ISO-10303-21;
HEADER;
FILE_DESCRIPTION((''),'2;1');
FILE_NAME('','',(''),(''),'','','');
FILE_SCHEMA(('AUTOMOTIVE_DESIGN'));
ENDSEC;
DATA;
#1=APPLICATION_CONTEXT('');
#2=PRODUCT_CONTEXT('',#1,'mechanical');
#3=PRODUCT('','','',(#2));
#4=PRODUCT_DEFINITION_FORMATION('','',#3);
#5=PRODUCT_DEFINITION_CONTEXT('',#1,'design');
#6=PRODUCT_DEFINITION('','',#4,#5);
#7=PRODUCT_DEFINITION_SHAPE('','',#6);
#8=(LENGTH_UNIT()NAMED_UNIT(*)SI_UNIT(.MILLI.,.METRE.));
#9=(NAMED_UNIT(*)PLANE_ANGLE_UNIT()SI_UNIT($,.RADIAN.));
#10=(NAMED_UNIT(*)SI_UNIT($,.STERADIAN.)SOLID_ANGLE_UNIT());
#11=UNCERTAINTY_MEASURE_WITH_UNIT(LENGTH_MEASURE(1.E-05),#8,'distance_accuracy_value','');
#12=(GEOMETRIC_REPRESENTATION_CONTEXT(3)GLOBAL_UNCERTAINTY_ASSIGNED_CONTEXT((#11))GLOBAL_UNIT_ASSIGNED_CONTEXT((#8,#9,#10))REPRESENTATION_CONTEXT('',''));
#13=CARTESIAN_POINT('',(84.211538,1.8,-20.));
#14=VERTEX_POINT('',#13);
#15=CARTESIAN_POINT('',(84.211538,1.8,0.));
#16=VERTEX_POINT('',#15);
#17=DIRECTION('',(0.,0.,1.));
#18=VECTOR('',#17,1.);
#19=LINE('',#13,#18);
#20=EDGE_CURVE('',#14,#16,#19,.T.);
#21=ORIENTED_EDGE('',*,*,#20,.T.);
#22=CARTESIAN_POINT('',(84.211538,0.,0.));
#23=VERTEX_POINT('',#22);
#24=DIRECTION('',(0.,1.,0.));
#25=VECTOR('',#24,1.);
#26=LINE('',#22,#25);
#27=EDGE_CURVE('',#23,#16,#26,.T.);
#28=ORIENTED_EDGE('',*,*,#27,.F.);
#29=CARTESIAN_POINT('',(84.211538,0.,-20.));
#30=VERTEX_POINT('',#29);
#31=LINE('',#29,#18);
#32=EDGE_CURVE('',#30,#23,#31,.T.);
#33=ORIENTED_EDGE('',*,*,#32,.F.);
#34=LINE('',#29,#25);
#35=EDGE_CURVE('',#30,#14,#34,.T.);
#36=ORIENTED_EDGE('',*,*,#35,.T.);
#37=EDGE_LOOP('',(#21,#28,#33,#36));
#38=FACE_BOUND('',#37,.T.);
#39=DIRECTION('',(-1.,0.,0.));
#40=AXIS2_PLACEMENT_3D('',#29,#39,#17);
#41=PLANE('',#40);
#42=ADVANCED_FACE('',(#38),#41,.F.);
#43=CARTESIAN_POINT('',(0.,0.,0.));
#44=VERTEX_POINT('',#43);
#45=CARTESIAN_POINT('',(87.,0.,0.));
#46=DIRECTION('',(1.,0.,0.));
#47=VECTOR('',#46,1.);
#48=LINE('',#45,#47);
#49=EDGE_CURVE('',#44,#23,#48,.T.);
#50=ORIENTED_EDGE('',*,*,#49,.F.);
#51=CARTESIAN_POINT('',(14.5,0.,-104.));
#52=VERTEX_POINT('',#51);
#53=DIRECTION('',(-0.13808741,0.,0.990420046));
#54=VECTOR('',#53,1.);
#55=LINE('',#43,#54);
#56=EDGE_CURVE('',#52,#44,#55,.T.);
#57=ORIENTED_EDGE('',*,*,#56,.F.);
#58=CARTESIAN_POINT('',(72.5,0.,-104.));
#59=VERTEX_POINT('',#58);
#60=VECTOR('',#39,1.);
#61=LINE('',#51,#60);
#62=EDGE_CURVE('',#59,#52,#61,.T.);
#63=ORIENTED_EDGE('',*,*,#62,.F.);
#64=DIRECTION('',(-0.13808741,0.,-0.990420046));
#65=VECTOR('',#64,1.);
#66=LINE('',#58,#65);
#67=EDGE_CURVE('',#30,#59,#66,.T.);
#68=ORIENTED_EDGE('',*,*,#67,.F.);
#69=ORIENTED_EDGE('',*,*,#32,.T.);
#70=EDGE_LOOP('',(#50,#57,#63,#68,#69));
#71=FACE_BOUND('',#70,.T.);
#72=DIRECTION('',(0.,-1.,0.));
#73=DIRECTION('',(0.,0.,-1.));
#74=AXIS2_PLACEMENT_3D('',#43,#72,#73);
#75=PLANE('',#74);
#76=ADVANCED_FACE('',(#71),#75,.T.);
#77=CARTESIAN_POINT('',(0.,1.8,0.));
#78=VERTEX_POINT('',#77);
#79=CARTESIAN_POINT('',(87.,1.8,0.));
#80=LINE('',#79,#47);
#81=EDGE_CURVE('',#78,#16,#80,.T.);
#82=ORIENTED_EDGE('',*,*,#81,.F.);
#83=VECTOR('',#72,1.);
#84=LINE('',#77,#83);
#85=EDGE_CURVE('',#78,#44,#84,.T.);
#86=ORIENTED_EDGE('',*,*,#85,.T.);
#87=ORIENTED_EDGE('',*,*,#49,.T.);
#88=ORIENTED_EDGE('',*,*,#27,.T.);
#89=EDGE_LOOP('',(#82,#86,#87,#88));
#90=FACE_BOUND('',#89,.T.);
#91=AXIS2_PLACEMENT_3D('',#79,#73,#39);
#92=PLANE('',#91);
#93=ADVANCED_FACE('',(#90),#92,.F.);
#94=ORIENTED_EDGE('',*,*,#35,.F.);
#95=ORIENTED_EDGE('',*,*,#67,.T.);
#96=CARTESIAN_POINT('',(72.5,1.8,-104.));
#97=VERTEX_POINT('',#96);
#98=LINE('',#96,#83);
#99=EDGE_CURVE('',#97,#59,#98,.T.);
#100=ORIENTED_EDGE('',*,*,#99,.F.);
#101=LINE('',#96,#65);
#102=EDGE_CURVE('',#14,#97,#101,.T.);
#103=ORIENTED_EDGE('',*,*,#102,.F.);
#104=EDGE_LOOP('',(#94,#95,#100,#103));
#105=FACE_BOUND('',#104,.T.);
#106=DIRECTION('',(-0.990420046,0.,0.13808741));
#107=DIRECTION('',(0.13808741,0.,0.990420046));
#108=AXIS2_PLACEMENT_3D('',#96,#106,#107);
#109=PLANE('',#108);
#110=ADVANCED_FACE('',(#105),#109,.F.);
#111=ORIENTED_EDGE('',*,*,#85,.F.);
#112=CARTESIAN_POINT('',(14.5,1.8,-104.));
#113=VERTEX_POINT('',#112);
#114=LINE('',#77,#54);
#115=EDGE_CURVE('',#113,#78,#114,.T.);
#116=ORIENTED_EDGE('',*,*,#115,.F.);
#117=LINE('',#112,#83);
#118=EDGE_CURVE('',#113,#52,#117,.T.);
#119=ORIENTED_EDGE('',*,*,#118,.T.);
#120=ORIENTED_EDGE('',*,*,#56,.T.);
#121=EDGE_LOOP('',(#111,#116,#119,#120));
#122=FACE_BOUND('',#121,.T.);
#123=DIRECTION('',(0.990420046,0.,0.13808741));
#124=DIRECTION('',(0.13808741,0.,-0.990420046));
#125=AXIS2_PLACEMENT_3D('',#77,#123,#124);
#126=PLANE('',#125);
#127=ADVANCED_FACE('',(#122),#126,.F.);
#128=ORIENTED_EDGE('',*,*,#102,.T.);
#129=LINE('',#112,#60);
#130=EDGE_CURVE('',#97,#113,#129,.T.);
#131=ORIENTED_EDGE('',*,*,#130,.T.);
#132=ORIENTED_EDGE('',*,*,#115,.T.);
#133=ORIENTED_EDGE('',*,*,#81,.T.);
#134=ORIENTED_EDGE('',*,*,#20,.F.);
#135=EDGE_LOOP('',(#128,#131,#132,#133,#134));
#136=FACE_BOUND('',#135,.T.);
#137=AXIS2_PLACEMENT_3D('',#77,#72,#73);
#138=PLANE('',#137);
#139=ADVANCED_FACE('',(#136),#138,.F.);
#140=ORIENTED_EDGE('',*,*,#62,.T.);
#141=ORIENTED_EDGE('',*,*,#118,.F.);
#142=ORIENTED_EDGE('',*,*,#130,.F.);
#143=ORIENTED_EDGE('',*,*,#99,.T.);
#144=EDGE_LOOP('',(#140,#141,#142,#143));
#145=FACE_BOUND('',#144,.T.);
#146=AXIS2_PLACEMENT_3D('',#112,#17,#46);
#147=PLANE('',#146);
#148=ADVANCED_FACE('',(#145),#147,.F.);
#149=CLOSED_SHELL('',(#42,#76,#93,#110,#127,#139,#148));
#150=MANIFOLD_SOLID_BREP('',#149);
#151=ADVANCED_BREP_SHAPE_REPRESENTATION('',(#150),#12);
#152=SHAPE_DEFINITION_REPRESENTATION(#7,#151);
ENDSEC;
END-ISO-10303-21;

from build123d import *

# Parameters (mm, degrees)
EXTRUDE_1_DEPTH     = 1.8
SKETCH_2_W          = 2.788461538
SKETCH_2_H          = 20
CUT_EXTRUDE_1_DEPTH = 136.603244799


with BuildPart() as part:
    # 草图1 → 凸台-拉伸1 (new body)
    with BuildSketch(Plane(origin=(0, 0, 0), x_dir=(1, 0, 0), z_dir=(0, 1, 0))):
        Polygon((0, 0), (14.5, 104), (72.5, 104), (87, 0), align=None)
    extrude(amount=EXTRUDE_1_DEPTH)

    # 草图2 → 切除-拉伸1 (cut, through all)
    with BuildSketch(Plane(origin=(0, 1.8, 0), x_dir=(1, 0, 0), z_dir=(0, 1, 0))):
        with Locations((85.605769231, 10)):
            Rectangle(SKETCH_2_W, SKETCH_2_H)
    extrude(amount=-CUT_EXTRUDE_1_DEPTH, mode=Mode.SUBTRACT)


solid = part.part
